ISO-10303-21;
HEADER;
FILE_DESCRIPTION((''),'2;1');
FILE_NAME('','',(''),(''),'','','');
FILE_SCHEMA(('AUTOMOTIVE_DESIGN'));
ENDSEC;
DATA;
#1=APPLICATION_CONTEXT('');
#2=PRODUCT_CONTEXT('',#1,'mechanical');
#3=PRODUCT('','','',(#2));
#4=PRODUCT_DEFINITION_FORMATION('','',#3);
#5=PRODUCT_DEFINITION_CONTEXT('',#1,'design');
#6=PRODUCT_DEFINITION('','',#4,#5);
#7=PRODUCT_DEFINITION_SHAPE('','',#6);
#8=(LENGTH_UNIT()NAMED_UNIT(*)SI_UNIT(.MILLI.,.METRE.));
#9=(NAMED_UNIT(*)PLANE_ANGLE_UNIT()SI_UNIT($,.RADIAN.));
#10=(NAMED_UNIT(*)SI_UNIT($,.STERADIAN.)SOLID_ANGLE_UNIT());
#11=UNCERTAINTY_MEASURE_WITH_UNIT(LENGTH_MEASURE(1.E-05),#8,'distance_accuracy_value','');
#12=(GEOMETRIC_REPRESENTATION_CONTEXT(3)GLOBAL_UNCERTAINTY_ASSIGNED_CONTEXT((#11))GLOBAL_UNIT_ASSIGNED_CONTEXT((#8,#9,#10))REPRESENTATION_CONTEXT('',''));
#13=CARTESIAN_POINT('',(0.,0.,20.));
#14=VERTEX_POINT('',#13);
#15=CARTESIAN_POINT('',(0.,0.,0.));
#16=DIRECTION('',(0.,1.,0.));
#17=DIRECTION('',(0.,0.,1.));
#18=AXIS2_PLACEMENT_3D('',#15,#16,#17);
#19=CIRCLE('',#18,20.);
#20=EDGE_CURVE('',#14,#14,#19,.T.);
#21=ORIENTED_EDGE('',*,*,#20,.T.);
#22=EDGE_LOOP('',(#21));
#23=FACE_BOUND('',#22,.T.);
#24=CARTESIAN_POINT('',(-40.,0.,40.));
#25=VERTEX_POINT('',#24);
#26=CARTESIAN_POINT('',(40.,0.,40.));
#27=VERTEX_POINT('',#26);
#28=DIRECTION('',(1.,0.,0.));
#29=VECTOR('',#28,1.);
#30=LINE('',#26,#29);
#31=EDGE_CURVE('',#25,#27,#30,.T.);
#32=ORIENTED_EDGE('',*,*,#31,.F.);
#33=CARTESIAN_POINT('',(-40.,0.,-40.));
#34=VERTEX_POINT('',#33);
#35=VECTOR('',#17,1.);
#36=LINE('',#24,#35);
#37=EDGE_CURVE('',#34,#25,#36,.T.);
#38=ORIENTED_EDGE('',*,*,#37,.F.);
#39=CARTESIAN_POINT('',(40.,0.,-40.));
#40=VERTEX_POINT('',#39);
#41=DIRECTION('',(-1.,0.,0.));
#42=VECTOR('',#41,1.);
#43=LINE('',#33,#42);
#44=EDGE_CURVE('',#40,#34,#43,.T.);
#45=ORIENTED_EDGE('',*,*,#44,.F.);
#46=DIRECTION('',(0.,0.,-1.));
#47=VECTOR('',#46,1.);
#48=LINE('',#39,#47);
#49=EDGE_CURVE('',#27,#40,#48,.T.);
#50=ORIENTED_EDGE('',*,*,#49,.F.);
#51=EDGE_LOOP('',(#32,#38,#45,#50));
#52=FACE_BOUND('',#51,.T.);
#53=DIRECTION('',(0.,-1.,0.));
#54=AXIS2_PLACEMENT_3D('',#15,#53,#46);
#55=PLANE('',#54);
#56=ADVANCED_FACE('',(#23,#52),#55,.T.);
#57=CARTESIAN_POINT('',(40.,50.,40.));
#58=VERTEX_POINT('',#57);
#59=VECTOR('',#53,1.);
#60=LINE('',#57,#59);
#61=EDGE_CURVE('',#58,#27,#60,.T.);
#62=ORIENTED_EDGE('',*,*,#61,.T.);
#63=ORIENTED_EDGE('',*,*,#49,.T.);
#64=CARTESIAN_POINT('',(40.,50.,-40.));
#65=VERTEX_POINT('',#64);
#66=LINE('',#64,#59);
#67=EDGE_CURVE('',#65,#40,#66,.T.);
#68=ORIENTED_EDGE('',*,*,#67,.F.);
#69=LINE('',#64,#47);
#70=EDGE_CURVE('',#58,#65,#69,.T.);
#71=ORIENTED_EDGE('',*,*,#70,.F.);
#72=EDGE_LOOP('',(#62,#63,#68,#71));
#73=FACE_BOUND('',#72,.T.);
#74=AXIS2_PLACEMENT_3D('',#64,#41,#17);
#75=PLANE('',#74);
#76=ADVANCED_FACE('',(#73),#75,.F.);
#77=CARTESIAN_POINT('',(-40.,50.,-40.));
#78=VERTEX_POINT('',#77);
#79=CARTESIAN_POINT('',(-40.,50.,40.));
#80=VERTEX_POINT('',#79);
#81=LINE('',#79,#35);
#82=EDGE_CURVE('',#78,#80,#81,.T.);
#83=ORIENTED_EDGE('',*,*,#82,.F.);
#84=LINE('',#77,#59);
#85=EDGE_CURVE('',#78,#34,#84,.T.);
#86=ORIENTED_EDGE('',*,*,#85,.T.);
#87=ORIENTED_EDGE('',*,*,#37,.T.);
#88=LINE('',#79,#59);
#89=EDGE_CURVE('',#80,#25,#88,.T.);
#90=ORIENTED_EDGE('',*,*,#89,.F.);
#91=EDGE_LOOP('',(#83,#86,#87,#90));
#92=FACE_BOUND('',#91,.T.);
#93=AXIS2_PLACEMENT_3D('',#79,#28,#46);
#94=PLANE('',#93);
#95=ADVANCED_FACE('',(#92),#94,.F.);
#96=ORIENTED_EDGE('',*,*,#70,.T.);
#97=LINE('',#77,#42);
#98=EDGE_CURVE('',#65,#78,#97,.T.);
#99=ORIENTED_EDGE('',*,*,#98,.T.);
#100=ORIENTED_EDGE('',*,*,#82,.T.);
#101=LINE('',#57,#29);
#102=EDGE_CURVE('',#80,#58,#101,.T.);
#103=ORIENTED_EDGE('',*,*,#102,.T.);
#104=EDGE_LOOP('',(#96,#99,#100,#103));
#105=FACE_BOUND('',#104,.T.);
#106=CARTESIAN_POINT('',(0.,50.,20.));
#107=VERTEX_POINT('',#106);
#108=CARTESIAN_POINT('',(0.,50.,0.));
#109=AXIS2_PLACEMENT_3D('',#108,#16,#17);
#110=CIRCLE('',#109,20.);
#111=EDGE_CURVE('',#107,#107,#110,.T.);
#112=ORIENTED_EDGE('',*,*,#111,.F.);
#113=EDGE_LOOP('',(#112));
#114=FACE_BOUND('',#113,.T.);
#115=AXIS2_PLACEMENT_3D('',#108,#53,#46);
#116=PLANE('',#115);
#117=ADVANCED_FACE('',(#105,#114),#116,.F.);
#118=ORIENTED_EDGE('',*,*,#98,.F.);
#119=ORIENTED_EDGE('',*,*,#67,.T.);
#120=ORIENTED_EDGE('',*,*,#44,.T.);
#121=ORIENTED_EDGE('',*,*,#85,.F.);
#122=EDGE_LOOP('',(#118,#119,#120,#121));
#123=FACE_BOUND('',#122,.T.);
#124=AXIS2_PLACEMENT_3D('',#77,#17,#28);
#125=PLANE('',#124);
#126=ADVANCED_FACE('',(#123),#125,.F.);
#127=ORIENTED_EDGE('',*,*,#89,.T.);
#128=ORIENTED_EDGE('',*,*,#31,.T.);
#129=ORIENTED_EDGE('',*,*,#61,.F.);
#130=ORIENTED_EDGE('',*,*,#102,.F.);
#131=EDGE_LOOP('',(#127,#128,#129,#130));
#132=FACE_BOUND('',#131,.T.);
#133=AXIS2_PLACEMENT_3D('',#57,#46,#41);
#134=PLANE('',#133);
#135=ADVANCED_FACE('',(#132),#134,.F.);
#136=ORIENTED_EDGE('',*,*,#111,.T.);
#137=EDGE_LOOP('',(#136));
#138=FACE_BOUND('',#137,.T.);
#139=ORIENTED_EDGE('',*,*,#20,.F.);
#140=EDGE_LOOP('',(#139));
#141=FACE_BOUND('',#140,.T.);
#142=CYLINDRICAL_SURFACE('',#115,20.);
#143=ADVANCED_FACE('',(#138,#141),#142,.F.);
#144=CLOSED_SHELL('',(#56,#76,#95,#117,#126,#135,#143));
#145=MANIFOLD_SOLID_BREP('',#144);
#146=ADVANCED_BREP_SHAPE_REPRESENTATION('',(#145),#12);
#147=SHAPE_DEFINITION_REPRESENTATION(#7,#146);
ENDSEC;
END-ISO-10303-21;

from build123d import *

# Parameters (mm, degrees)
SKETCH_1_W      = 80
SKETCH_1_H      = 80
SKETCH_1_R      = 20
EXTRUDE_1_DEPTH = 50


with BuildPart() as part:
    # 草图1 → 凸台-拉伸1 (new body)
    with BuildSketch(Plane(origin=(0, 0, 0), x_dir=(1, 0, 0), z_dir=(0, 1, 0))):
        Rectangle(SKETCH_1_W, SKETCH_1_H)
        with Locations(Location((0, 0, 0), (0, 0, 270))):
            Circle(SKETCH_1_R, mode=Mode.SUBTRACT)
    extrude(amount=EXTRUDE_1_DEPTH)


solid = part.part
